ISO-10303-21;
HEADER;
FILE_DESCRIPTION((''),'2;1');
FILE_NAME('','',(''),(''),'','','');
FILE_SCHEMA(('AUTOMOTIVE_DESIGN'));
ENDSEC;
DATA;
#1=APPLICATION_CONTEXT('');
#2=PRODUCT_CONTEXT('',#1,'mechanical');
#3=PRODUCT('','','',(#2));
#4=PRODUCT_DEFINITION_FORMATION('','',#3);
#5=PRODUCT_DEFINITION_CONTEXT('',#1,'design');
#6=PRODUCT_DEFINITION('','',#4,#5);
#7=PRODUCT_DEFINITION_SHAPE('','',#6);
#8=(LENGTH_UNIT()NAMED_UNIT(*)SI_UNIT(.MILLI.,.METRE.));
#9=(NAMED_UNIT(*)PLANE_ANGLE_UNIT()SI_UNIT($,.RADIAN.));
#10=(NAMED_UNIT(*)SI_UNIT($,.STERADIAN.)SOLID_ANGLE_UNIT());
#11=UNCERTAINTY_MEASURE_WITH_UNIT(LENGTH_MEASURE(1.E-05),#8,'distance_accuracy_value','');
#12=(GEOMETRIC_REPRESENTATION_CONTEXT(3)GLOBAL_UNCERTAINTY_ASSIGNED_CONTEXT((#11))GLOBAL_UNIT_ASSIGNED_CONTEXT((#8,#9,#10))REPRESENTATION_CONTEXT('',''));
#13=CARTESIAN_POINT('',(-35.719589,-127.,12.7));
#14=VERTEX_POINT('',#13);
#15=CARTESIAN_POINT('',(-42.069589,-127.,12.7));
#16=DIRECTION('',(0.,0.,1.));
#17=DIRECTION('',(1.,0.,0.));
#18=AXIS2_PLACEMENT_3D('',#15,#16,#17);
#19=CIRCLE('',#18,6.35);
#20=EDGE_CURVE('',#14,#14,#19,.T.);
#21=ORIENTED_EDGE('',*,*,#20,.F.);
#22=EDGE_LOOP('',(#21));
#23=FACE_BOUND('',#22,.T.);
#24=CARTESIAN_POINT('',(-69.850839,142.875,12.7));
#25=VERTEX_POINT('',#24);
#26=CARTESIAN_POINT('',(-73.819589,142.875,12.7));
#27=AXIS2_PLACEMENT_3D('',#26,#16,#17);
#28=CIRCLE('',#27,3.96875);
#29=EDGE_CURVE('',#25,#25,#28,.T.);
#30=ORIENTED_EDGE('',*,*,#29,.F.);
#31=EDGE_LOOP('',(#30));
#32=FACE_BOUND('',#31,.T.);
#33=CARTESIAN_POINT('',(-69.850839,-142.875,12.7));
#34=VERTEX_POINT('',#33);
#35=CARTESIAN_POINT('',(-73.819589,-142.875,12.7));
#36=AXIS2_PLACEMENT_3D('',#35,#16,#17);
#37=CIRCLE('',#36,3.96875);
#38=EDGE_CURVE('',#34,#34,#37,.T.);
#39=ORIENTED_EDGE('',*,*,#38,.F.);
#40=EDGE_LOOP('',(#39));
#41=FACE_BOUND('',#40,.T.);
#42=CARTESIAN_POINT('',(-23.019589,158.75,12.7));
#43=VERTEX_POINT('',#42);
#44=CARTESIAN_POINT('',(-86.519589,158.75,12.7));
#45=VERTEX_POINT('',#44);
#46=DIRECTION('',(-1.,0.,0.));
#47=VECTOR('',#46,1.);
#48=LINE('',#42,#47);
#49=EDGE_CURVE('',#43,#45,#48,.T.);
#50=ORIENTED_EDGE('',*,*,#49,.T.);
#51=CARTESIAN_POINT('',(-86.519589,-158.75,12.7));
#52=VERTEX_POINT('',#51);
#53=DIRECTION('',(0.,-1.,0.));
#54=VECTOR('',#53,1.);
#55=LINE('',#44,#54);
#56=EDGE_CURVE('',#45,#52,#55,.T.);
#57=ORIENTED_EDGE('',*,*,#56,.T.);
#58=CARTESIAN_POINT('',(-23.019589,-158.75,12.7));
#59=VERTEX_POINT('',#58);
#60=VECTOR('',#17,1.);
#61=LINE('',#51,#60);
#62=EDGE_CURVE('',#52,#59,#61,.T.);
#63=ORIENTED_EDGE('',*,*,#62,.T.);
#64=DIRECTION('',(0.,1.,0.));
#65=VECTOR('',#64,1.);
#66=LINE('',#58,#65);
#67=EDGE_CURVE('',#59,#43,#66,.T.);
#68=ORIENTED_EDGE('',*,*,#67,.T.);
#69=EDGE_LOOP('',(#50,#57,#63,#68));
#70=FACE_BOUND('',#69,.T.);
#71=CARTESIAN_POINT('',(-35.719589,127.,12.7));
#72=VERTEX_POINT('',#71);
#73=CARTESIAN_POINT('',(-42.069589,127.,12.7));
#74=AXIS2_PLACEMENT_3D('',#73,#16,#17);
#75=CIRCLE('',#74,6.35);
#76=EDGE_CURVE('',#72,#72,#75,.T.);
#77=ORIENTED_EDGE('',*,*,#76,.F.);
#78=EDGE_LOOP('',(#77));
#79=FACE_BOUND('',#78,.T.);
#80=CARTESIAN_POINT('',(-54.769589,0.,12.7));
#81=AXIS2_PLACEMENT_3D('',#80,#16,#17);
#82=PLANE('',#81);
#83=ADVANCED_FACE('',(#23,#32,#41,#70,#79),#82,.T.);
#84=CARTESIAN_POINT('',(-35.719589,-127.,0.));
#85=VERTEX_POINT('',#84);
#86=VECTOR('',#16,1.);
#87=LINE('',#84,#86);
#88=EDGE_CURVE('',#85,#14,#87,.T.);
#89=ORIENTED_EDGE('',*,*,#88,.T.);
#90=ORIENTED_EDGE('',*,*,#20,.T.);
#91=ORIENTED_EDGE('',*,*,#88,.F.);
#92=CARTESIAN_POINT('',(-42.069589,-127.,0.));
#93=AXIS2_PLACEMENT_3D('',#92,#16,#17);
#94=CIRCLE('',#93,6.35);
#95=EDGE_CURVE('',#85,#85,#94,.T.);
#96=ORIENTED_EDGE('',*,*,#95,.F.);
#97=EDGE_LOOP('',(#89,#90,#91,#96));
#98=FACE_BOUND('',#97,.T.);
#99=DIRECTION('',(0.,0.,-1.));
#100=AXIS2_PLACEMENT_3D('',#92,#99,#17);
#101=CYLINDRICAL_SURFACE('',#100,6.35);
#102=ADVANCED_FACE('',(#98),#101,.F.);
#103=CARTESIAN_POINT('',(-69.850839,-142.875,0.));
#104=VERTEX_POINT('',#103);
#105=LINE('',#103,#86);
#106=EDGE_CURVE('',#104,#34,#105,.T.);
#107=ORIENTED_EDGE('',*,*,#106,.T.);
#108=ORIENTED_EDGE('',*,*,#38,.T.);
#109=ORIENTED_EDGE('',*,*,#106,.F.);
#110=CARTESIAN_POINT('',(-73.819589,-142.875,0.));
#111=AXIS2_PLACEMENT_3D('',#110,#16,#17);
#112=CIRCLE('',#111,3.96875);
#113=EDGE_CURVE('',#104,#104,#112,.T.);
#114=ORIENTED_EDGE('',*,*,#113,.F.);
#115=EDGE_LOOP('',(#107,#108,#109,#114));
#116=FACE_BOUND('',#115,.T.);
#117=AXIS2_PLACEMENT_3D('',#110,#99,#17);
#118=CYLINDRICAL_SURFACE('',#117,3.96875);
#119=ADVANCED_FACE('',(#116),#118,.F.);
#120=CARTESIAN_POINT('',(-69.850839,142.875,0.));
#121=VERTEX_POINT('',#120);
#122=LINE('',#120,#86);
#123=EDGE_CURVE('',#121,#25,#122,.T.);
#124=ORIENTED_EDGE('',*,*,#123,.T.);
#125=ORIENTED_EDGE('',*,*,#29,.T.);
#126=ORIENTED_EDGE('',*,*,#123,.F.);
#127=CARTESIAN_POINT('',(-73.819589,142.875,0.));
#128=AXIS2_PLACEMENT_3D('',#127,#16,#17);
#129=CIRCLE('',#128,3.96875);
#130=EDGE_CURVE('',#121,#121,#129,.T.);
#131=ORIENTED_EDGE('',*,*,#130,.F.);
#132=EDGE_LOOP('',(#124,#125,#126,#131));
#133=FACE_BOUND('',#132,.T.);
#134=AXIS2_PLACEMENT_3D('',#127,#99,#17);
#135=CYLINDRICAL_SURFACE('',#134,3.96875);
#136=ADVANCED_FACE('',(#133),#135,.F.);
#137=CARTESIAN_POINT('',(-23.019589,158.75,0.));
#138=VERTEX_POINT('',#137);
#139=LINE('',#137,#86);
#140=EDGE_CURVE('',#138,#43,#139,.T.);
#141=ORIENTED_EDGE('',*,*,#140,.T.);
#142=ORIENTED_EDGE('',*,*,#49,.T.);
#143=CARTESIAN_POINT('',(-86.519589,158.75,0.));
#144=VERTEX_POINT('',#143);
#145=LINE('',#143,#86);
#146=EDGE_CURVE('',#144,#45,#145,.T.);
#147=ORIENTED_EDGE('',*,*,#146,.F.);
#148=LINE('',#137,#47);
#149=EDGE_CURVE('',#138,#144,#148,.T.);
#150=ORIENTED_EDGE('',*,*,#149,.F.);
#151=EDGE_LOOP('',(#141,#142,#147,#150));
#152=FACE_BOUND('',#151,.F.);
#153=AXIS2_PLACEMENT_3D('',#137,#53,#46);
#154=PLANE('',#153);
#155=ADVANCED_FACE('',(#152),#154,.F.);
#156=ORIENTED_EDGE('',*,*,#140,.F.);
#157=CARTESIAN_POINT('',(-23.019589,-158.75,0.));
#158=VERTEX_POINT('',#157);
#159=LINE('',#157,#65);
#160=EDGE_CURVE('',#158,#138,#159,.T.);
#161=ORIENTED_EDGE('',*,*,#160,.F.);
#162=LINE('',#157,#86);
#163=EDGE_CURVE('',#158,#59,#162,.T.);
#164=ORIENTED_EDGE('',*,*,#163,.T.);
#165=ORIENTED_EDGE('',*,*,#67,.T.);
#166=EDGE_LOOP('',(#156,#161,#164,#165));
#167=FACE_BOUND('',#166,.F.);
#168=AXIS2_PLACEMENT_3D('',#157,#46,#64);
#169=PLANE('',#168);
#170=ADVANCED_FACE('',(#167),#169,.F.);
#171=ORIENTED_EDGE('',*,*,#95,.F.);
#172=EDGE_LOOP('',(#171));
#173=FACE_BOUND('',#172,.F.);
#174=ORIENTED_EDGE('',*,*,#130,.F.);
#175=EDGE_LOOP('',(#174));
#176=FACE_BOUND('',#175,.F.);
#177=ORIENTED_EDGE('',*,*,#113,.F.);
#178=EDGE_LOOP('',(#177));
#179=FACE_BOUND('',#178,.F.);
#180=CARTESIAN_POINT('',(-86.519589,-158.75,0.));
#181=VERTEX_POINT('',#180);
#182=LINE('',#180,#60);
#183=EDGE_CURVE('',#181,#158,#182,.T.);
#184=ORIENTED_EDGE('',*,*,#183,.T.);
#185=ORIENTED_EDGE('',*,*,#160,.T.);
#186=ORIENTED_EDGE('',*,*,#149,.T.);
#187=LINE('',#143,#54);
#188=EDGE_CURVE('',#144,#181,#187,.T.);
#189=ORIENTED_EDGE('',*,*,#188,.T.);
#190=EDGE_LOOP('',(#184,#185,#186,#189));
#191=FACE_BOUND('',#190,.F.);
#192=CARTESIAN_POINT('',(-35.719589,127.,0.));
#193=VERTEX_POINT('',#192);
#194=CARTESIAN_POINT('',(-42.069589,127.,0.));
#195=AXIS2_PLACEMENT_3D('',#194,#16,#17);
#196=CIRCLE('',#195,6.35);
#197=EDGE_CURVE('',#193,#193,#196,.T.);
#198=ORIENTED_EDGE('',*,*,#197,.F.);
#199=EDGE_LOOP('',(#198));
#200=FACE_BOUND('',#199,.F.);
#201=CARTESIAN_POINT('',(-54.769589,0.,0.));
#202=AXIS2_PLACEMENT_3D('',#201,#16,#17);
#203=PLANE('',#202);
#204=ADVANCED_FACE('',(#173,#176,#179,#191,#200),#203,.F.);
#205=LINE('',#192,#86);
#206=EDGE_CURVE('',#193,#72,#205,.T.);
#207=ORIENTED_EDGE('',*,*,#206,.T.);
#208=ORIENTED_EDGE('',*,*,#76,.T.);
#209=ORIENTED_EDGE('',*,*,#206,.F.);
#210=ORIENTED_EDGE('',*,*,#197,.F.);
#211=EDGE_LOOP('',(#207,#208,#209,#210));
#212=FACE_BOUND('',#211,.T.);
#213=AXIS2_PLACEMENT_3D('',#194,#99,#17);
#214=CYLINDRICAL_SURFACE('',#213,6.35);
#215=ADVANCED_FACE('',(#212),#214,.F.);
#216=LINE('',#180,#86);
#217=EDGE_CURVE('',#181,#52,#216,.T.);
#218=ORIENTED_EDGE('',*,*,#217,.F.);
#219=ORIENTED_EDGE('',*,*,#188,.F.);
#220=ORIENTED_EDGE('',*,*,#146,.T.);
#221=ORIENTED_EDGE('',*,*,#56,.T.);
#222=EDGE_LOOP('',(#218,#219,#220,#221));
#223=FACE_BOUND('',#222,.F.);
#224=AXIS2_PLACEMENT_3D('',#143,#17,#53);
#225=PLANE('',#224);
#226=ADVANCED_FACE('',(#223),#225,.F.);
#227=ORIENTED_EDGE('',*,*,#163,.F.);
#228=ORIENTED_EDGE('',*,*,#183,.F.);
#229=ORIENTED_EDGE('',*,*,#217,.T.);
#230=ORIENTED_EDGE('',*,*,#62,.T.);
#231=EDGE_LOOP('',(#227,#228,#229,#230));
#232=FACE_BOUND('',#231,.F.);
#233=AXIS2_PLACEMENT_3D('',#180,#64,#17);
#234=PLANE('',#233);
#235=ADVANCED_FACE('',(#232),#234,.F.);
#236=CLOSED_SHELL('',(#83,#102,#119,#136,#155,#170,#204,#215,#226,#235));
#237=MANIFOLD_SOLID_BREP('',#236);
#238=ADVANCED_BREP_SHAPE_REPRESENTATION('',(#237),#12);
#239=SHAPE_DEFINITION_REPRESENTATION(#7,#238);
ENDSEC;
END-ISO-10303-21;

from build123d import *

# Parameters (mm, degrees)
F0_R     = 3.96875
F0_R_2   = 6.35
F1_DEPTH = 12.7


with BuildPart() as f1:
    # F0 (on Top) → F1 (new body)
    with BuildSketch(Plane.XY):
        Polygon((-23.019589, 158.75), (-86.519589, 158.75), (-86.519589, -158.75), (-58.071589, -158.75), (-23.019589, -158.75), align=None)
        with Locations((-73.819589, -142.875)):
            Circle(F0_R, mode=Mode.SUBTRACT)
        with Locations((-42.069589, -127)):
            Circle(F0_R_2, mode=Mode.SUBTRACT)
        with Locations((-73.819589, 142.875)):
            Circle(F0_R, mode=Mode.SUBTRACT)
        with Locations((-42.069589, 127)):
            Circle(F0_R_2, mode=Mode.SUBTRACT)
    extrude(amount=F1_DEPTH)


solid = f1.part
